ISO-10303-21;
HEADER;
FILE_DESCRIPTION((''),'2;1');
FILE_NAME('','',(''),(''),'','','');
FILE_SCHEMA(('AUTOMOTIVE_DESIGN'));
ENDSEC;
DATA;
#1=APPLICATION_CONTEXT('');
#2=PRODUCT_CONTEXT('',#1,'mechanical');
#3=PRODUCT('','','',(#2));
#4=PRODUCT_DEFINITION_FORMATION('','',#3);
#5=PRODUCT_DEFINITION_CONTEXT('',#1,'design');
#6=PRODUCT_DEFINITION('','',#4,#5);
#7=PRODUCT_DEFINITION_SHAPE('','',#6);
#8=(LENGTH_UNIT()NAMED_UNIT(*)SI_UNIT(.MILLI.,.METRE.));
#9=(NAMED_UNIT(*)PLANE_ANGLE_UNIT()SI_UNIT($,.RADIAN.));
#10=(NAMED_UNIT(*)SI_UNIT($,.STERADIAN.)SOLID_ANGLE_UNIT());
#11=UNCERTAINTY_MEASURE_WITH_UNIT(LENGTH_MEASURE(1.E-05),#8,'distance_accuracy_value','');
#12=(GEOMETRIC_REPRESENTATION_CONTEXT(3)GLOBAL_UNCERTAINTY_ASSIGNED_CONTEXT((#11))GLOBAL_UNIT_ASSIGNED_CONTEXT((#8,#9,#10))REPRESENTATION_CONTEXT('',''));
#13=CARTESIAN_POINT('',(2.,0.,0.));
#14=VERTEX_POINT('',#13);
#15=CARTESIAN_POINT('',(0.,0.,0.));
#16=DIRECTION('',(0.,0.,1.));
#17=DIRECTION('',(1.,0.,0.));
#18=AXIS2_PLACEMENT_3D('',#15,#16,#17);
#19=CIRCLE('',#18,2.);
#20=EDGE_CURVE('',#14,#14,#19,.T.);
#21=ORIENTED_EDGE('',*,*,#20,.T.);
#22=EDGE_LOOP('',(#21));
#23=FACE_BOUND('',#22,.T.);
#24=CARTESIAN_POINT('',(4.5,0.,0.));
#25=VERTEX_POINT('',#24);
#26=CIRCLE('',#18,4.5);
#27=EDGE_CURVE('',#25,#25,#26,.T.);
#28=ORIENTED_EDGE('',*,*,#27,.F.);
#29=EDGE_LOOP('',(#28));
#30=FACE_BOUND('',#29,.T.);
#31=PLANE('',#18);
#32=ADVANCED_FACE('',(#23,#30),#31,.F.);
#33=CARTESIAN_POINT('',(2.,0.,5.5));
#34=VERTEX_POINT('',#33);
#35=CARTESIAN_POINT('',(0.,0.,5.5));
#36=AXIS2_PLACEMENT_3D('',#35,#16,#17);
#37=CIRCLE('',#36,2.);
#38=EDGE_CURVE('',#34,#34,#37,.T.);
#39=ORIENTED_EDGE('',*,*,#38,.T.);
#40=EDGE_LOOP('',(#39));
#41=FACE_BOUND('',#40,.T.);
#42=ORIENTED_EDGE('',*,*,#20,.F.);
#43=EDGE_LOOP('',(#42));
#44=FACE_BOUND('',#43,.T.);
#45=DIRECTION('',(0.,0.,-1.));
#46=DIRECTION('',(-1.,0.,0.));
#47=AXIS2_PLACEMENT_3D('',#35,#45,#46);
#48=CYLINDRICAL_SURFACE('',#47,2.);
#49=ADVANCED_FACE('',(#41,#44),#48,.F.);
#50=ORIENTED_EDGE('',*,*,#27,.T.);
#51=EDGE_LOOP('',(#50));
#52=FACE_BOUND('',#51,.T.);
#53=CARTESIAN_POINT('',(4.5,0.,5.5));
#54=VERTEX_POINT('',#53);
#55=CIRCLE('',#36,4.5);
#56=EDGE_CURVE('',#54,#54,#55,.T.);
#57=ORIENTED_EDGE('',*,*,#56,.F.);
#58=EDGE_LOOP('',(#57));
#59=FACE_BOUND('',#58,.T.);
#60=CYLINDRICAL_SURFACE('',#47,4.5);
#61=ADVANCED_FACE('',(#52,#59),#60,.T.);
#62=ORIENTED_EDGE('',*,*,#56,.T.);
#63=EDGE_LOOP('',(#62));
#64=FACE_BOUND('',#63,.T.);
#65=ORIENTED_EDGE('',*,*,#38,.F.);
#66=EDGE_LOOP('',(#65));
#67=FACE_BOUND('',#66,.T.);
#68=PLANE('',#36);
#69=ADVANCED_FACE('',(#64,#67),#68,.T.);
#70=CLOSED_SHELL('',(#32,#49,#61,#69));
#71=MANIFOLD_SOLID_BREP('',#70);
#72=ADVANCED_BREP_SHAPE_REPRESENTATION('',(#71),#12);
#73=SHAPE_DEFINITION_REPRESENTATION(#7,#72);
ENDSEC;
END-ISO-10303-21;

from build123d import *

# Parameters (mm, degrees)
SKETCH_1_R      = 4.5
SKETCH_1_R_2    = 2
EXTRUDE_1_DEPTH = 5.5


with BuildPart() as part:
    # 草图1 → 凸台-拉伸1 (new body)
    with BuildSketch(Plane.XY):
        Circle(SKETCH_1_R)
        Circle(SKETCH_1_R_2, mode=Mode.SUBTRACT)
    extrude(amount=EXTRUDE_1_DEPTH)


solid = part.part
